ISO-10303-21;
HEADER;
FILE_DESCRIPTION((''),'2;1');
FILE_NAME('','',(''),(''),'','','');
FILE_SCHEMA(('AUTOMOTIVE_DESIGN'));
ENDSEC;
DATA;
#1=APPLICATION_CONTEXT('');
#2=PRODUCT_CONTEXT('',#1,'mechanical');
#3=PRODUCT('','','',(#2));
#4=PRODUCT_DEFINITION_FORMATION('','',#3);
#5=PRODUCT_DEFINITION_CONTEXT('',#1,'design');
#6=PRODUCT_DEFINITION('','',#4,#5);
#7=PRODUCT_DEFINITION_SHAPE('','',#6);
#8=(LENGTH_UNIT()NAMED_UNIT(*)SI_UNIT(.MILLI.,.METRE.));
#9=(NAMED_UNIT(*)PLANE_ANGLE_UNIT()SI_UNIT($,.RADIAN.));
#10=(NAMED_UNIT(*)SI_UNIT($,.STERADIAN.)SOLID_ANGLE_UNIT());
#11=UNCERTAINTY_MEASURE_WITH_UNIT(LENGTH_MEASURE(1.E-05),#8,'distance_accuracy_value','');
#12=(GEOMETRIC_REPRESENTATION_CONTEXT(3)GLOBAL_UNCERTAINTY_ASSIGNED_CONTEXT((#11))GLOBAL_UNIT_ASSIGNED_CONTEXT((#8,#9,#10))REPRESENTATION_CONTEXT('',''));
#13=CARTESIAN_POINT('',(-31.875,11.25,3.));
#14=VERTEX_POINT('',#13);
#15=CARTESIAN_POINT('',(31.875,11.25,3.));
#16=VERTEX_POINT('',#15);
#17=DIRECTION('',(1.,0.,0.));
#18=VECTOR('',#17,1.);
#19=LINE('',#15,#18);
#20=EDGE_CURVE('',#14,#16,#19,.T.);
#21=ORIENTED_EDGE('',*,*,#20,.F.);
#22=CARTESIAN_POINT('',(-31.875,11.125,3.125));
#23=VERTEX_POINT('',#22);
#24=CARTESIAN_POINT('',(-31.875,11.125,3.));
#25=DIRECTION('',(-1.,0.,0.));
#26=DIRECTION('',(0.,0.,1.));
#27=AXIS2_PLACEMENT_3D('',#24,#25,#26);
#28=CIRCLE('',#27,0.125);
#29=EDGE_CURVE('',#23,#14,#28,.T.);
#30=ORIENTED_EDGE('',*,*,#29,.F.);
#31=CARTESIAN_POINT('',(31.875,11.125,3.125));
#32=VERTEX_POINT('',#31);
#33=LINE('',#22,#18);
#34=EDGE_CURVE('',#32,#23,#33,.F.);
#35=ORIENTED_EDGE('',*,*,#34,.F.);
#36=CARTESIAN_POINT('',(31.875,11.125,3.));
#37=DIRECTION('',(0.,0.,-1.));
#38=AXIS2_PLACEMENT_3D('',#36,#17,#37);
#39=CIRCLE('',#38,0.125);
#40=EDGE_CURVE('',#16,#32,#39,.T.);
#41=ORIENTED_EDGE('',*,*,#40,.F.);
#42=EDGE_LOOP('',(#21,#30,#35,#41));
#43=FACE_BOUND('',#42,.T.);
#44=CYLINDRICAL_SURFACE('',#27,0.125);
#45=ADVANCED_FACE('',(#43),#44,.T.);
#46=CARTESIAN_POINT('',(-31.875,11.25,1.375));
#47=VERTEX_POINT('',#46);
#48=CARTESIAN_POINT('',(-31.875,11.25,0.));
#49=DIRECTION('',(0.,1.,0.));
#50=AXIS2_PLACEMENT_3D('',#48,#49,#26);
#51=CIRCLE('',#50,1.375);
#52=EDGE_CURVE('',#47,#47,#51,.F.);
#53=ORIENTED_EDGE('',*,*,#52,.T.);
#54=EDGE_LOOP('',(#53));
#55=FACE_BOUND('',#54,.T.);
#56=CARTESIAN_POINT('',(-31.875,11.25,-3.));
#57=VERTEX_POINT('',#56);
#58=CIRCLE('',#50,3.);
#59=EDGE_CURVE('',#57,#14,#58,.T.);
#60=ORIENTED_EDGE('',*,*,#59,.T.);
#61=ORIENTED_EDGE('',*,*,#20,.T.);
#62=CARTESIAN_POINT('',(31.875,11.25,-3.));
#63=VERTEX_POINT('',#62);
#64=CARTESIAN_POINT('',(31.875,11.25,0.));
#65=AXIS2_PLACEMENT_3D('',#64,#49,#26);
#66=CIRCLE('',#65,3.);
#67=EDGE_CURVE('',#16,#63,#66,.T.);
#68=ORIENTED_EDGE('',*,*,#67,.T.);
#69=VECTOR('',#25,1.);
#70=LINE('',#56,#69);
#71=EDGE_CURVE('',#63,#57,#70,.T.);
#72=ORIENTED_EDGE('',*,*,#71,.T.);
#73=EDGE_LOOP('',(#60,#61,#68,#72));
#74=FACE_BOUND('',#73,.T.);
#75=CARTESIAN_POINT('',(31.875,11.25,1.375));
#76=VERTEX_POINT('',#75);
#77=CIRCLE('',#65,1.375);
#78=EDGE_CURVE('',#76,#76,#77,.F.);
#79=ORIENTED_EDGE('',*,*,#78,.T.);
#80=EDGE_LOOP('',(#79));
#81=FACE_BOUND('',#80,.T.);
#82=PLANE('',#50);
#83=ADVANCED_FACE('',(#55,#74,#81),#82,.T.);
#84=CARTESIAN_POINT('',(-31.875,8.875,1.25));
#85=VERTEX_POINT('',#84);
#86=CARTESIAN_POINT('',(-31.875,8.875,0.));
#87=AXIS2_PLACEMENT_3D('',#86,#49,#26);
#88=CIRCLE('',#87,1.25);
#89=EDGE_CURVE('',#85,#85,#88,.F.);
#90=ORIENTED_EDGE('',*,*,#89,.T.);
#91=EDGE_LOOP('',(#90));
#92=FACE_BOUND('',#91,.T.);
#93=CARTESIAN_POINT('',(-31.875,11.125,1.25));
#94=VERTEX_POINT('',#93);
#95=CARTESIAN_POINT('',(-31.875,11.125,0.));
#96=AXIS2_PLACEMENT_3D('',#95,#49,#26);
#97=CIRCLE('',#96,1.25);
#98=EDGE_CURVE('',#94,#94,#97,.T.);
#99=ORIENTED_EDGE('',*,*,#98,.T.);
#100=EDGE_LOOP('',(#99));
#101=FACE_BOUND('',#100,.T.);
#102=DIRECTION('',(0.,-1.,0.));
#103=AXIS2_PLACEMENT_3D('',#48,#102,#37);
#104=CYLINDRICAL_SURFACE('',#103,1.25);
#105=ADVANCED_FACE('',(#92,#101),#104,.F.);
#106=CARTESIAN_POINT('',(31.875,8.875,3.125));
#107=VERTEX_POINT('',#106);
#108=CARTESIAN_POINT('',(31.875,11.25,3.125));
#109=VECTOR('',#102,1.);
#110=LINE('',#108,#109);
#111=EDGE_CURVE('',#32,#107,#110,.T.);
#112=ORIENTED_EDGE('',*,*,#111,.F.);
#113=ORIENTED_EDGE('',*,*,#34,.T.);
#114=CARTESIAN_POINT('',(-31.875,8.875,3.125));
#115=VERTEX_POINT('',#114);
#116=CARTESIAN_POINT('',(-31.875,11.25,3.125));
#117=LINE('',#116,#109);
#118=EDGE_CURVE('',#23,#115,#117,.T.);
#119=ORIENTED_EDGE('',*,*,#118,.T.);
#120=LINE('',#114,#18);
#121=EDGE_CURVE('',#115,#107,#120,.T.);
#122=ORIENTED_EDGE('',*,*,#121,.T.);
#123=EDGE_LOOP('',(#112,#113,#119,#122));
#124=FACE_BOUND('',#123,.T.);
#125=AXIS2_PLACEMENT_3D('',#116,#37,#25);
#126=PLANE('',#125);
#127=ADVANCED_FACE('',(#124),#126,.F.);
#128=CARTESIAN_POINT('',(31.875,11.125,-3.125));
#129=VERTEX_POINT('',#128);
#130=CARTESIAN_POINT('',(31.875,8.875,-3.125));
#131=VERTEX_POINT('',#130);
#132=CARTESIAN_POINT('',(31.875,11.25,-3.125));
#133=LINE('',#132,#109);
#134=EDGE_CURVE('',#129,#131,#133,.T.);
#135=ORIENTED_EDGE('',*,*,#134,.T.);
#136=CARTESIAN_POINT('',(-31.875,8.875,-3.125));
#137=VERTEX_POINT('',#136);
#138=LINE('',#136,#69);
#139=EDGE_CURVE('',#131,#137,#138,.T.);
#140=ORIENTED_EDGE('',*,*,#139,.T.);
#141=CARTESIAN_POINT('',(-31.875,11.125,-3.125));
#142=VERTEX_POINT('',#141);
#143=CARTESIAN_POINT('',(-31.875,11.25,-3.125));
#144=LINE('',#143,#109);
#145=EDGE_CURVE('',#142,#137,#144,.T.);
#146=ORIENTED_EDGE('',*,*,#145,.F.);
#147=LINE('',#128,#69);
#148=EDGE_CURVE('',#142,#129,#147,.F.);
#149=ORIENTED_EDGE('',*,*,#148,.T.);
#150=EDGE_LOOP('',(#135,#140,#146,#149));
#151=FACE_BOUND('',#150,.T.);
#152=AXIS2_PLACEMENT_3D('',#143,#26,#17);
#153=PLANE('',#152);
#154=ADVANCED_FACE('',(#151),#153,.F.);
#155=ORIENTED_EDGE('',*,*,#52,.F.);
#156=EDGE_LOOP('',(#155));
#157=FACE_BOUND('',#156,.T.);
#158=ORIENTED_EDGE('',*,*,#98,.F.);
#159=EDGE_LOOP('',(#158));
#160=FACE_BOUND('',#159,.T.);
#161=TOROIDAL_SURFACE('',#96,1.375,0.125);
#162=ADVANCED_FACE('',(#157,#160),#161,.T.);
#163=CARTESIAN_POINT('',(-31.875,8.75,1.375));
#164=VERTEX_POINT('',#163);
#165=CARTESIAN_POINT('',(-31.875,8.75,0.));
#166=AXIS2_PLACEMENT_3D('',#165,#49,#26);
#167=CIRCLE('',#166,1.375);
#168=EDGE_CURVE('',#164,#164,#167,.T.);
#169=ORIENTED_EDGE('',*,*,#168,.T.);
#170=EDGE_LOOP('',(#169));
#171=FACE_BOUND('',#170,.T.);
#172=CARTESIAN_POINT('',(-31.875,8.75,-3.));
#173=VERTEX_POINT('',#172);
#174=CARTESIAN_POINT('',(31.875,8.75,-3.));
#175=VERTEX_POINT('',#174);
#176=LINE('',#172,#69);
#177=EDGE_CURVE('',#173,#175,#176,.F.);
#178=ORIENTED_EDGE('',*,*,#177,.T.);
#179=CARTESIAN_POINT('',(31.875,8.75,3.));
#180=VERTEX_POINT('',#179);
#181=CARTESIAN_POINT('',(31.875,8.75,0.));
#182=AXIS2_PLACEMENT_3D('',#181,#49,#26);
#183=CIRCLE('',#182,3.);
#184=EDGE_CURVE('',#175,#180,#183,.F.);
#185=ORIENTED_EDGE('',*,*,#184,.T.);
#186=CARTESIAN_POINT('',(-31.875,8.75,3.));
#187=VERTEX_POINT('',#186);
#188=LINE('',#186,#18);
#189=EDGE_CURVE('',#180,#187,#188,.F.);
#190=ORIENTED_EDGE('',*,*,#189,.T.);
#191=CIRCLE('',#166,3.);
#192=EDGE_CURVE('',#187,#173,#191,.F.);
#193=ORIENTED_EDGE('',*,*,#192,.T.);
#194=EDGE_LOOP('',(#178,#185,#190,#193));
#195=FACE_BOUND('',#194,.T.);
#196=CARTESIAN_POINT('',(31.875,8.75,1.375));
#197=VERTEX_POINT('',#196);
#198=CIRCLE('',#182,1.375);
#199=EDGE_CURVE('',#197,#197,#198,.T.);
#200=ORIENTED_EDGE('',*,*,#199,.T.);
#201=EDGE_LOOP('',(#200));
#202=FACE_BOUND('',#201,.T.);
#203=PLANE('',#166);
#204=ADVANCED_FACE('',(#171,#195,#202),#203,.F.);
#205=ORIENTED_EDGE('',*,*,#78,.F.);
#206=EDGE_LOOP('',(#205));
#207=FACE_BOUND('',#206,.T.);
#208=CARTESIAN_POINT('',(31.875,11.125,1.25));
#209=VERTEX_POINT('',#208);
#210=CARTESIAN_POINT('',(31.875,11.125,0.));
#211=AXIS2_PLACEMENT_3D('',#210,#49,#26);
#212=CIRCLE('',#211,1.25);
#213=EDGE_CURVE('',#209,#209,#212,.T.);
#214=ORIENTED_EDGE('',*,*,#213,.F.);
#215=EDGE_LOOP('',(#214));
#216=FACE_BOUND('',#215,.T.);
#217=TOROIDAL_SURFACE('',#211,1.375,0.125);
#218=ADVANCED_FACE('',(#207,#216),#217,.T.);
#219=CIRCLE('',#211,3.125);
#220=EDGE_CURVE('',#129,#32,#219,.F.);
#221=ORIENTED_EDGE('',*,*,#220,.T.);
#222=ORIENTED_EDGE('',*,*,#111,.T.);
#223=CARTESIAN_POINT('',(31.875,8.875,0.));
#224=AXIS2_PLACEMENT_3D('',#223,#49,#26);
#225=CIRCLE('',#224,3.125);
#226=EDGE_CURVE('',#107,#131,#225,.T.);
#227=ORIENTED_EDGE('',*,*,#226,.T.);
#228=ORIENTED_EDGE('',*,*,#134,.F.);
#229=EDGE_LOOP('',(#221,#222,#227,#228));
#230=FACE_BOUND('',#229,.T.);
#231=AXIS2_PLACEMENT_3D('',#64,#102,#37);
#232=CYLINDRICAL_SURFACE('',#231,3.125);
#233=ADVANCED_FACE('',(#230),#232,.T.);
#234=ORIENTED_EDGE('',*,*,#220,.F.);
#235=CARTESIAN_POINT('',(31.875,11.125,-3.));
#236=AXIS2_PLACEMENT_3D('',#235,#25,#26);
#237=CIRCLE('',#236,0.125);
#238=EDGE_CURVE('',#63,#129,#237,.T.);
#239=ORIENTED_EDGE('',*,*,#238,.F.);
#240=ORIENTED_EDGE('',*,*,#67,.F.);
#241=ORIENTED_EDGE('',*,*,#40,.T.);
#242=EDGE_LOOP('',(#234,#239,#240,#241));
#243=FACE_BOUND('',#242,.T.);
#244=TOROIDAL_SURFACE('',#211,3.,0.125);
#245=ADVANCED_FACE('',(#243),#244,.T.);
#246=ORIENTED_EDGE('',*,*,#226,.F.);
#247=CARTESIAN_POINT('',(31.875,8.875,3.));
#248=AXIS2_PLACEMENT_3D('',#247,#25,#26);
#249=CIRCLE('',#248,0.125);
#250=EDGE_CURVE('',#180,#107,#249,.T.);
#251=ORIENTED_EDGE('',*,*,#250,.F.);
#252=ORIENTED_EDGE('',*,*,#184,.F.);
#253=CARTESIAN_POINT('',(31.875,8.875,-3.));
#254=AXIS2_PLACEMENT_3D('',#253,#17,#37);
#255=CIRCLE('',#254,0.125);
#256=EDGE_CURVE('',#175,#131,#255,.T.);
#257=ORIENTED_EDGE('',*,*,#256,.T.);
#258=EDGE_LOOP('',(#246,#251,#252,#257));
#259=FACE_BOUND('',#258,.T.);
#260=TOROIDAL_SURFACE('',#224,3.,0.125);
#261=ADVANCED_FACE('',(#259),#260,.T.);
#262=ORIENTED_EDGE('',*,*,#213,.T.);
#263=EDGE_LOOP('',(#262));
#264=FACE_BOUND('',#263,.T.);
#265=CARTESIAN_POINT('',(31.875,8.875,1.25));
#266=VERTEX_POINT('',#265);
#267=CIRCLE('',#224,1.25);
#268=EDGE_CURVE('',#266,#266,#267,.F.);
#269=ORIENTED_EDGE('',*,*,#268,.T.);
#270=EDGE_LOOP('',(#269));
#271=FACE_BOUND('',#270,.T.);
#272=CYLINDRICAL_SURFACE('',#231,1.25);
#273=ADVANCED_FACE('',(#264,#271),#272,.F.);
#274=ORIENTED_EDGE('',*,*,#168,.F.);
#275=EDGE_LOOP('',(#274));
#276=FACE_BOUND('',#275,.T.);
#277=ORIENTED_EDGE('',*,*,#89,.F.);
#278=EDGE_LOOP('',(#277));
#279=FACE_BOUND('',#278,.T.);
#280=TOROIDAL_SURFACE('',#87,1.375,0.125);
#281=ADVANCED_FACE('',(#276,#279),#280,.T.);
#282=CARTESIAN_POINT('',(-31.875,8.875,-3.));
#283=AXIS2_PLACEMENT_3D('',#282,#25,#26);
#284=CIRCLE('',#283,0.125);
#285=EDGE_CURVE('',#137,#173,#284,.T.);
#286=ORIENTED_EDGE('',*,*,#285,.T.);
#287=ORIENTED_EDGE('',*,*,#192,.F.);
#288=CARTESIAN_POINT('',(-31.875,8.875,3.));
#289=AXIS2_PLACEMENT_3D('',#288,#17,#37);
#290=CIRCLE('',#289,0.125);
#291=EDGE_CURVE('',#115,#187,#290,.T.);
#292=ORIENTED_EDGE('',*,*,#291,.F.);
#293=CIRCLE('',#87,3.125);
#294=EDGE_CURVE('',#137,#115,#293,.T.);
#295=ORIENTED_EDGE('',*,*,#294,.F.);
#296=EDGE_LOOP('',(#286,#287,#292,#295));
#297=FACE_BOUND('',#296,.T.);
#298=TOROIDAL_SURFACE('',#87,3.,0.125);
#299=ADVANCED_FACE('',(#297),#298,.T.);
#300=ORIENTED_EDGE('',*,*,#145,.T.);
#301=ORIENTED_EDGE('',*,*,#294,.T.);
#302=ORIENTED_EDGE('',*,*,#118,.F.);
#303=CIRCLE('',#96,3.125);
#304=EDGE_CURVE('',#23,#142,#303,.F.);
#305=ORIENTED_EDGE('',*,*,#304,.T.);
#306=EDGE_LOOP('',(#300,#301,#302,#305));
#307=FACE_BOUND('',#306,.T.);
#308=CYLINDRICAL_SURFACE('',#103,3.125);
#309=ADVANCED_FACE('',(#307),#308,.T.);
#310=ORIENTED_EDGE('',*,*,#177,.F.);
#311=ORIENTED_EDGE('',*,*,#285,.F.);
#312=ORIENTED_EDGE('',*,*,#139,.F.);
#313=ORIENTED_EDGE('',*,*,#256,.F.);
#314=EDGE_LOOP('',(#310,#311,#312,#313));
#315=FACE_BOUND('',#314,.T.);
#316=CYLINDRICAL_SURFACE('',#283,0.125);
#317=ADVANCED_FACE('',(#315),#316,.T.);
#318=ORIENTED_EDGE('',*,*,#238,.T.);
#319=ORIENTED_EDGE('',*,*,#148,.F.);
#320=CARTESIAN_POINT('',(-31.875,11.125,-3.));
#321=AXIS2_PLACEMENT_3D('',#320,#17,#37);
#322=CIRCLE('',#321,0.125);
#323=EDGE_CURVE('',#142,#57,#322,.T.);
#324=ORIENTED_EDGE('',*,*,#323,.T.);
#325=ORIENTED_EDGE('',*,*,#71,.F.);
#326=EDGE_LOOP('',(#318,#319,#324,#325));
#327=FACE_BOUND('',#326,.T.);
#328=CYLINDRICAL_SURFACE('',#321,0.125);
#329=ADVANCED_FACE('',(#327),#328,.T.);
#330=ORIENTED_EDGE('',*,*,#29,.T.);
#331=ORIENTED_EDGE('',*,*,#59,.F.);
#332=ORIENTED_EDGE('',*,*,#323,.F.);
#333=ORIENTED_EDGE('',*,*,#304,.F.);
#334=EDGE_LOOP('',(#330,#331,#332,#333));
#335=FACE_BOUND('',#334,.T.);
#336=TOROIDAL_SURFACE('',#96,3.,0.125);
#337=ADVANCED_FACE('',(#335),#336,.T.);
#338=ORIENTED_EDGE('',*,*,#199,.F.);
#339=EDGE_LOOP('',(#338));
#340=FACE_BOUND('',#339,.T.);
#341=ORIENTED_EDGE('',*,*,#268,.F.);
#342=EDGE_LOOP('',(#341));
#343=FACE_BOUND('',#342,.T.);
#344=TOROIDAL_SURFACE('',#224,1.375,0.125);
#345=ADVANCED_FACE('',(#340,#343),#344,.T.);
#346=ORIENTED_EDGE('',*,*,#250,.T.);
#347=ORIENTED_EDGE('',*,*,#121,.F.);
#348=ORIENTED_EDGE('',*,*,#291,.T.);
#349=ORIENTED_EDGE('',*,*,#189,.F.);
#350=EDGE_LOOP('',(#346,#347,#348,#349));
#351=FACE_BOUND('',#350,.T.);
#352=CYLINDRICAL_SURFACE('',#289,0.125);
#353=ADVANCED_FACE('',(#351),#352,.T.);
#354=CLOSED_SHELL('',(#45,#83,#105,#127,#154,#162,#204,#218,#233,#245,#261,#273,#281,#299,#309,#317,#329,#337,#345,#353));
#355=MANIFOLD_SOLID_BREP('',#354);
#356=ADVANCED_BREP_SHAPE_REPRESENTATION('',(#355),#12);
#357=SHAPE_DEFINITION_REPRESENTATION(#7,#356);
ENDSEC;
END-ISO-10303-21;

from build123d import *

# Parameters (mm, degrees)
SKETCH1_R           = 10
BOSS_EXTRUDE1_DEPTH = 20
FILLET1_R           = 1
SCALE1_SCALE        = 0.125


with BuildPart() as part:
    # Sketch1 → Boss-Extrude1 (new body)
    with BuildSketch(Plane(origin=(0, 0, 0), x_dir=(1, 0, 0), z_dir=(0, 1, 0))):
        with BuildLine():
            Line((-255, 25), (255, 25))
            ThreePointArc((255, 25), (280, 0), (255, -25))
            Line((255, -25), (-255, -25))
            ThreePointArc((-255, -25), (-280, 0), (-255, 25))
        make_face()
        with Locations((-255, 0)):
            Circle(SKETCH1_R, mode=Mode.SUBTRACT)
        with Locations((255, 0)):
            Circle(SKETCH1_R, mode=Mode.SUBTRACT)
    extrude(amount=BOSS_EXTRUDE1_DEPTH)

    # Fillet1
    fillet1_edges = [part.edges().sort_by_distance(p)[0] for p in [
        (-265, 0, 0),
        (-265, 20, 0),
        (280, 20, 0),
        (245, 0, 0),
        (245, 20, 0),
        (0, 20, -25),
        (-280, 20, 0),
        (0, 0, -25),
        (280, 0, 0),
        (0, 0, 25),
        (-280, 0, 0),
        (0, 20, 25),
    ]]
    fillet(fillet1_edges, radius=FILLET1_R)


with BuildPart() as part_1:
    # Scale1: scaled about (0, 10, 0)
    add(part.part.scale(SCALE1_SCALE).moved(Location((0, 8.75, 0))))


solid = part_1.part
